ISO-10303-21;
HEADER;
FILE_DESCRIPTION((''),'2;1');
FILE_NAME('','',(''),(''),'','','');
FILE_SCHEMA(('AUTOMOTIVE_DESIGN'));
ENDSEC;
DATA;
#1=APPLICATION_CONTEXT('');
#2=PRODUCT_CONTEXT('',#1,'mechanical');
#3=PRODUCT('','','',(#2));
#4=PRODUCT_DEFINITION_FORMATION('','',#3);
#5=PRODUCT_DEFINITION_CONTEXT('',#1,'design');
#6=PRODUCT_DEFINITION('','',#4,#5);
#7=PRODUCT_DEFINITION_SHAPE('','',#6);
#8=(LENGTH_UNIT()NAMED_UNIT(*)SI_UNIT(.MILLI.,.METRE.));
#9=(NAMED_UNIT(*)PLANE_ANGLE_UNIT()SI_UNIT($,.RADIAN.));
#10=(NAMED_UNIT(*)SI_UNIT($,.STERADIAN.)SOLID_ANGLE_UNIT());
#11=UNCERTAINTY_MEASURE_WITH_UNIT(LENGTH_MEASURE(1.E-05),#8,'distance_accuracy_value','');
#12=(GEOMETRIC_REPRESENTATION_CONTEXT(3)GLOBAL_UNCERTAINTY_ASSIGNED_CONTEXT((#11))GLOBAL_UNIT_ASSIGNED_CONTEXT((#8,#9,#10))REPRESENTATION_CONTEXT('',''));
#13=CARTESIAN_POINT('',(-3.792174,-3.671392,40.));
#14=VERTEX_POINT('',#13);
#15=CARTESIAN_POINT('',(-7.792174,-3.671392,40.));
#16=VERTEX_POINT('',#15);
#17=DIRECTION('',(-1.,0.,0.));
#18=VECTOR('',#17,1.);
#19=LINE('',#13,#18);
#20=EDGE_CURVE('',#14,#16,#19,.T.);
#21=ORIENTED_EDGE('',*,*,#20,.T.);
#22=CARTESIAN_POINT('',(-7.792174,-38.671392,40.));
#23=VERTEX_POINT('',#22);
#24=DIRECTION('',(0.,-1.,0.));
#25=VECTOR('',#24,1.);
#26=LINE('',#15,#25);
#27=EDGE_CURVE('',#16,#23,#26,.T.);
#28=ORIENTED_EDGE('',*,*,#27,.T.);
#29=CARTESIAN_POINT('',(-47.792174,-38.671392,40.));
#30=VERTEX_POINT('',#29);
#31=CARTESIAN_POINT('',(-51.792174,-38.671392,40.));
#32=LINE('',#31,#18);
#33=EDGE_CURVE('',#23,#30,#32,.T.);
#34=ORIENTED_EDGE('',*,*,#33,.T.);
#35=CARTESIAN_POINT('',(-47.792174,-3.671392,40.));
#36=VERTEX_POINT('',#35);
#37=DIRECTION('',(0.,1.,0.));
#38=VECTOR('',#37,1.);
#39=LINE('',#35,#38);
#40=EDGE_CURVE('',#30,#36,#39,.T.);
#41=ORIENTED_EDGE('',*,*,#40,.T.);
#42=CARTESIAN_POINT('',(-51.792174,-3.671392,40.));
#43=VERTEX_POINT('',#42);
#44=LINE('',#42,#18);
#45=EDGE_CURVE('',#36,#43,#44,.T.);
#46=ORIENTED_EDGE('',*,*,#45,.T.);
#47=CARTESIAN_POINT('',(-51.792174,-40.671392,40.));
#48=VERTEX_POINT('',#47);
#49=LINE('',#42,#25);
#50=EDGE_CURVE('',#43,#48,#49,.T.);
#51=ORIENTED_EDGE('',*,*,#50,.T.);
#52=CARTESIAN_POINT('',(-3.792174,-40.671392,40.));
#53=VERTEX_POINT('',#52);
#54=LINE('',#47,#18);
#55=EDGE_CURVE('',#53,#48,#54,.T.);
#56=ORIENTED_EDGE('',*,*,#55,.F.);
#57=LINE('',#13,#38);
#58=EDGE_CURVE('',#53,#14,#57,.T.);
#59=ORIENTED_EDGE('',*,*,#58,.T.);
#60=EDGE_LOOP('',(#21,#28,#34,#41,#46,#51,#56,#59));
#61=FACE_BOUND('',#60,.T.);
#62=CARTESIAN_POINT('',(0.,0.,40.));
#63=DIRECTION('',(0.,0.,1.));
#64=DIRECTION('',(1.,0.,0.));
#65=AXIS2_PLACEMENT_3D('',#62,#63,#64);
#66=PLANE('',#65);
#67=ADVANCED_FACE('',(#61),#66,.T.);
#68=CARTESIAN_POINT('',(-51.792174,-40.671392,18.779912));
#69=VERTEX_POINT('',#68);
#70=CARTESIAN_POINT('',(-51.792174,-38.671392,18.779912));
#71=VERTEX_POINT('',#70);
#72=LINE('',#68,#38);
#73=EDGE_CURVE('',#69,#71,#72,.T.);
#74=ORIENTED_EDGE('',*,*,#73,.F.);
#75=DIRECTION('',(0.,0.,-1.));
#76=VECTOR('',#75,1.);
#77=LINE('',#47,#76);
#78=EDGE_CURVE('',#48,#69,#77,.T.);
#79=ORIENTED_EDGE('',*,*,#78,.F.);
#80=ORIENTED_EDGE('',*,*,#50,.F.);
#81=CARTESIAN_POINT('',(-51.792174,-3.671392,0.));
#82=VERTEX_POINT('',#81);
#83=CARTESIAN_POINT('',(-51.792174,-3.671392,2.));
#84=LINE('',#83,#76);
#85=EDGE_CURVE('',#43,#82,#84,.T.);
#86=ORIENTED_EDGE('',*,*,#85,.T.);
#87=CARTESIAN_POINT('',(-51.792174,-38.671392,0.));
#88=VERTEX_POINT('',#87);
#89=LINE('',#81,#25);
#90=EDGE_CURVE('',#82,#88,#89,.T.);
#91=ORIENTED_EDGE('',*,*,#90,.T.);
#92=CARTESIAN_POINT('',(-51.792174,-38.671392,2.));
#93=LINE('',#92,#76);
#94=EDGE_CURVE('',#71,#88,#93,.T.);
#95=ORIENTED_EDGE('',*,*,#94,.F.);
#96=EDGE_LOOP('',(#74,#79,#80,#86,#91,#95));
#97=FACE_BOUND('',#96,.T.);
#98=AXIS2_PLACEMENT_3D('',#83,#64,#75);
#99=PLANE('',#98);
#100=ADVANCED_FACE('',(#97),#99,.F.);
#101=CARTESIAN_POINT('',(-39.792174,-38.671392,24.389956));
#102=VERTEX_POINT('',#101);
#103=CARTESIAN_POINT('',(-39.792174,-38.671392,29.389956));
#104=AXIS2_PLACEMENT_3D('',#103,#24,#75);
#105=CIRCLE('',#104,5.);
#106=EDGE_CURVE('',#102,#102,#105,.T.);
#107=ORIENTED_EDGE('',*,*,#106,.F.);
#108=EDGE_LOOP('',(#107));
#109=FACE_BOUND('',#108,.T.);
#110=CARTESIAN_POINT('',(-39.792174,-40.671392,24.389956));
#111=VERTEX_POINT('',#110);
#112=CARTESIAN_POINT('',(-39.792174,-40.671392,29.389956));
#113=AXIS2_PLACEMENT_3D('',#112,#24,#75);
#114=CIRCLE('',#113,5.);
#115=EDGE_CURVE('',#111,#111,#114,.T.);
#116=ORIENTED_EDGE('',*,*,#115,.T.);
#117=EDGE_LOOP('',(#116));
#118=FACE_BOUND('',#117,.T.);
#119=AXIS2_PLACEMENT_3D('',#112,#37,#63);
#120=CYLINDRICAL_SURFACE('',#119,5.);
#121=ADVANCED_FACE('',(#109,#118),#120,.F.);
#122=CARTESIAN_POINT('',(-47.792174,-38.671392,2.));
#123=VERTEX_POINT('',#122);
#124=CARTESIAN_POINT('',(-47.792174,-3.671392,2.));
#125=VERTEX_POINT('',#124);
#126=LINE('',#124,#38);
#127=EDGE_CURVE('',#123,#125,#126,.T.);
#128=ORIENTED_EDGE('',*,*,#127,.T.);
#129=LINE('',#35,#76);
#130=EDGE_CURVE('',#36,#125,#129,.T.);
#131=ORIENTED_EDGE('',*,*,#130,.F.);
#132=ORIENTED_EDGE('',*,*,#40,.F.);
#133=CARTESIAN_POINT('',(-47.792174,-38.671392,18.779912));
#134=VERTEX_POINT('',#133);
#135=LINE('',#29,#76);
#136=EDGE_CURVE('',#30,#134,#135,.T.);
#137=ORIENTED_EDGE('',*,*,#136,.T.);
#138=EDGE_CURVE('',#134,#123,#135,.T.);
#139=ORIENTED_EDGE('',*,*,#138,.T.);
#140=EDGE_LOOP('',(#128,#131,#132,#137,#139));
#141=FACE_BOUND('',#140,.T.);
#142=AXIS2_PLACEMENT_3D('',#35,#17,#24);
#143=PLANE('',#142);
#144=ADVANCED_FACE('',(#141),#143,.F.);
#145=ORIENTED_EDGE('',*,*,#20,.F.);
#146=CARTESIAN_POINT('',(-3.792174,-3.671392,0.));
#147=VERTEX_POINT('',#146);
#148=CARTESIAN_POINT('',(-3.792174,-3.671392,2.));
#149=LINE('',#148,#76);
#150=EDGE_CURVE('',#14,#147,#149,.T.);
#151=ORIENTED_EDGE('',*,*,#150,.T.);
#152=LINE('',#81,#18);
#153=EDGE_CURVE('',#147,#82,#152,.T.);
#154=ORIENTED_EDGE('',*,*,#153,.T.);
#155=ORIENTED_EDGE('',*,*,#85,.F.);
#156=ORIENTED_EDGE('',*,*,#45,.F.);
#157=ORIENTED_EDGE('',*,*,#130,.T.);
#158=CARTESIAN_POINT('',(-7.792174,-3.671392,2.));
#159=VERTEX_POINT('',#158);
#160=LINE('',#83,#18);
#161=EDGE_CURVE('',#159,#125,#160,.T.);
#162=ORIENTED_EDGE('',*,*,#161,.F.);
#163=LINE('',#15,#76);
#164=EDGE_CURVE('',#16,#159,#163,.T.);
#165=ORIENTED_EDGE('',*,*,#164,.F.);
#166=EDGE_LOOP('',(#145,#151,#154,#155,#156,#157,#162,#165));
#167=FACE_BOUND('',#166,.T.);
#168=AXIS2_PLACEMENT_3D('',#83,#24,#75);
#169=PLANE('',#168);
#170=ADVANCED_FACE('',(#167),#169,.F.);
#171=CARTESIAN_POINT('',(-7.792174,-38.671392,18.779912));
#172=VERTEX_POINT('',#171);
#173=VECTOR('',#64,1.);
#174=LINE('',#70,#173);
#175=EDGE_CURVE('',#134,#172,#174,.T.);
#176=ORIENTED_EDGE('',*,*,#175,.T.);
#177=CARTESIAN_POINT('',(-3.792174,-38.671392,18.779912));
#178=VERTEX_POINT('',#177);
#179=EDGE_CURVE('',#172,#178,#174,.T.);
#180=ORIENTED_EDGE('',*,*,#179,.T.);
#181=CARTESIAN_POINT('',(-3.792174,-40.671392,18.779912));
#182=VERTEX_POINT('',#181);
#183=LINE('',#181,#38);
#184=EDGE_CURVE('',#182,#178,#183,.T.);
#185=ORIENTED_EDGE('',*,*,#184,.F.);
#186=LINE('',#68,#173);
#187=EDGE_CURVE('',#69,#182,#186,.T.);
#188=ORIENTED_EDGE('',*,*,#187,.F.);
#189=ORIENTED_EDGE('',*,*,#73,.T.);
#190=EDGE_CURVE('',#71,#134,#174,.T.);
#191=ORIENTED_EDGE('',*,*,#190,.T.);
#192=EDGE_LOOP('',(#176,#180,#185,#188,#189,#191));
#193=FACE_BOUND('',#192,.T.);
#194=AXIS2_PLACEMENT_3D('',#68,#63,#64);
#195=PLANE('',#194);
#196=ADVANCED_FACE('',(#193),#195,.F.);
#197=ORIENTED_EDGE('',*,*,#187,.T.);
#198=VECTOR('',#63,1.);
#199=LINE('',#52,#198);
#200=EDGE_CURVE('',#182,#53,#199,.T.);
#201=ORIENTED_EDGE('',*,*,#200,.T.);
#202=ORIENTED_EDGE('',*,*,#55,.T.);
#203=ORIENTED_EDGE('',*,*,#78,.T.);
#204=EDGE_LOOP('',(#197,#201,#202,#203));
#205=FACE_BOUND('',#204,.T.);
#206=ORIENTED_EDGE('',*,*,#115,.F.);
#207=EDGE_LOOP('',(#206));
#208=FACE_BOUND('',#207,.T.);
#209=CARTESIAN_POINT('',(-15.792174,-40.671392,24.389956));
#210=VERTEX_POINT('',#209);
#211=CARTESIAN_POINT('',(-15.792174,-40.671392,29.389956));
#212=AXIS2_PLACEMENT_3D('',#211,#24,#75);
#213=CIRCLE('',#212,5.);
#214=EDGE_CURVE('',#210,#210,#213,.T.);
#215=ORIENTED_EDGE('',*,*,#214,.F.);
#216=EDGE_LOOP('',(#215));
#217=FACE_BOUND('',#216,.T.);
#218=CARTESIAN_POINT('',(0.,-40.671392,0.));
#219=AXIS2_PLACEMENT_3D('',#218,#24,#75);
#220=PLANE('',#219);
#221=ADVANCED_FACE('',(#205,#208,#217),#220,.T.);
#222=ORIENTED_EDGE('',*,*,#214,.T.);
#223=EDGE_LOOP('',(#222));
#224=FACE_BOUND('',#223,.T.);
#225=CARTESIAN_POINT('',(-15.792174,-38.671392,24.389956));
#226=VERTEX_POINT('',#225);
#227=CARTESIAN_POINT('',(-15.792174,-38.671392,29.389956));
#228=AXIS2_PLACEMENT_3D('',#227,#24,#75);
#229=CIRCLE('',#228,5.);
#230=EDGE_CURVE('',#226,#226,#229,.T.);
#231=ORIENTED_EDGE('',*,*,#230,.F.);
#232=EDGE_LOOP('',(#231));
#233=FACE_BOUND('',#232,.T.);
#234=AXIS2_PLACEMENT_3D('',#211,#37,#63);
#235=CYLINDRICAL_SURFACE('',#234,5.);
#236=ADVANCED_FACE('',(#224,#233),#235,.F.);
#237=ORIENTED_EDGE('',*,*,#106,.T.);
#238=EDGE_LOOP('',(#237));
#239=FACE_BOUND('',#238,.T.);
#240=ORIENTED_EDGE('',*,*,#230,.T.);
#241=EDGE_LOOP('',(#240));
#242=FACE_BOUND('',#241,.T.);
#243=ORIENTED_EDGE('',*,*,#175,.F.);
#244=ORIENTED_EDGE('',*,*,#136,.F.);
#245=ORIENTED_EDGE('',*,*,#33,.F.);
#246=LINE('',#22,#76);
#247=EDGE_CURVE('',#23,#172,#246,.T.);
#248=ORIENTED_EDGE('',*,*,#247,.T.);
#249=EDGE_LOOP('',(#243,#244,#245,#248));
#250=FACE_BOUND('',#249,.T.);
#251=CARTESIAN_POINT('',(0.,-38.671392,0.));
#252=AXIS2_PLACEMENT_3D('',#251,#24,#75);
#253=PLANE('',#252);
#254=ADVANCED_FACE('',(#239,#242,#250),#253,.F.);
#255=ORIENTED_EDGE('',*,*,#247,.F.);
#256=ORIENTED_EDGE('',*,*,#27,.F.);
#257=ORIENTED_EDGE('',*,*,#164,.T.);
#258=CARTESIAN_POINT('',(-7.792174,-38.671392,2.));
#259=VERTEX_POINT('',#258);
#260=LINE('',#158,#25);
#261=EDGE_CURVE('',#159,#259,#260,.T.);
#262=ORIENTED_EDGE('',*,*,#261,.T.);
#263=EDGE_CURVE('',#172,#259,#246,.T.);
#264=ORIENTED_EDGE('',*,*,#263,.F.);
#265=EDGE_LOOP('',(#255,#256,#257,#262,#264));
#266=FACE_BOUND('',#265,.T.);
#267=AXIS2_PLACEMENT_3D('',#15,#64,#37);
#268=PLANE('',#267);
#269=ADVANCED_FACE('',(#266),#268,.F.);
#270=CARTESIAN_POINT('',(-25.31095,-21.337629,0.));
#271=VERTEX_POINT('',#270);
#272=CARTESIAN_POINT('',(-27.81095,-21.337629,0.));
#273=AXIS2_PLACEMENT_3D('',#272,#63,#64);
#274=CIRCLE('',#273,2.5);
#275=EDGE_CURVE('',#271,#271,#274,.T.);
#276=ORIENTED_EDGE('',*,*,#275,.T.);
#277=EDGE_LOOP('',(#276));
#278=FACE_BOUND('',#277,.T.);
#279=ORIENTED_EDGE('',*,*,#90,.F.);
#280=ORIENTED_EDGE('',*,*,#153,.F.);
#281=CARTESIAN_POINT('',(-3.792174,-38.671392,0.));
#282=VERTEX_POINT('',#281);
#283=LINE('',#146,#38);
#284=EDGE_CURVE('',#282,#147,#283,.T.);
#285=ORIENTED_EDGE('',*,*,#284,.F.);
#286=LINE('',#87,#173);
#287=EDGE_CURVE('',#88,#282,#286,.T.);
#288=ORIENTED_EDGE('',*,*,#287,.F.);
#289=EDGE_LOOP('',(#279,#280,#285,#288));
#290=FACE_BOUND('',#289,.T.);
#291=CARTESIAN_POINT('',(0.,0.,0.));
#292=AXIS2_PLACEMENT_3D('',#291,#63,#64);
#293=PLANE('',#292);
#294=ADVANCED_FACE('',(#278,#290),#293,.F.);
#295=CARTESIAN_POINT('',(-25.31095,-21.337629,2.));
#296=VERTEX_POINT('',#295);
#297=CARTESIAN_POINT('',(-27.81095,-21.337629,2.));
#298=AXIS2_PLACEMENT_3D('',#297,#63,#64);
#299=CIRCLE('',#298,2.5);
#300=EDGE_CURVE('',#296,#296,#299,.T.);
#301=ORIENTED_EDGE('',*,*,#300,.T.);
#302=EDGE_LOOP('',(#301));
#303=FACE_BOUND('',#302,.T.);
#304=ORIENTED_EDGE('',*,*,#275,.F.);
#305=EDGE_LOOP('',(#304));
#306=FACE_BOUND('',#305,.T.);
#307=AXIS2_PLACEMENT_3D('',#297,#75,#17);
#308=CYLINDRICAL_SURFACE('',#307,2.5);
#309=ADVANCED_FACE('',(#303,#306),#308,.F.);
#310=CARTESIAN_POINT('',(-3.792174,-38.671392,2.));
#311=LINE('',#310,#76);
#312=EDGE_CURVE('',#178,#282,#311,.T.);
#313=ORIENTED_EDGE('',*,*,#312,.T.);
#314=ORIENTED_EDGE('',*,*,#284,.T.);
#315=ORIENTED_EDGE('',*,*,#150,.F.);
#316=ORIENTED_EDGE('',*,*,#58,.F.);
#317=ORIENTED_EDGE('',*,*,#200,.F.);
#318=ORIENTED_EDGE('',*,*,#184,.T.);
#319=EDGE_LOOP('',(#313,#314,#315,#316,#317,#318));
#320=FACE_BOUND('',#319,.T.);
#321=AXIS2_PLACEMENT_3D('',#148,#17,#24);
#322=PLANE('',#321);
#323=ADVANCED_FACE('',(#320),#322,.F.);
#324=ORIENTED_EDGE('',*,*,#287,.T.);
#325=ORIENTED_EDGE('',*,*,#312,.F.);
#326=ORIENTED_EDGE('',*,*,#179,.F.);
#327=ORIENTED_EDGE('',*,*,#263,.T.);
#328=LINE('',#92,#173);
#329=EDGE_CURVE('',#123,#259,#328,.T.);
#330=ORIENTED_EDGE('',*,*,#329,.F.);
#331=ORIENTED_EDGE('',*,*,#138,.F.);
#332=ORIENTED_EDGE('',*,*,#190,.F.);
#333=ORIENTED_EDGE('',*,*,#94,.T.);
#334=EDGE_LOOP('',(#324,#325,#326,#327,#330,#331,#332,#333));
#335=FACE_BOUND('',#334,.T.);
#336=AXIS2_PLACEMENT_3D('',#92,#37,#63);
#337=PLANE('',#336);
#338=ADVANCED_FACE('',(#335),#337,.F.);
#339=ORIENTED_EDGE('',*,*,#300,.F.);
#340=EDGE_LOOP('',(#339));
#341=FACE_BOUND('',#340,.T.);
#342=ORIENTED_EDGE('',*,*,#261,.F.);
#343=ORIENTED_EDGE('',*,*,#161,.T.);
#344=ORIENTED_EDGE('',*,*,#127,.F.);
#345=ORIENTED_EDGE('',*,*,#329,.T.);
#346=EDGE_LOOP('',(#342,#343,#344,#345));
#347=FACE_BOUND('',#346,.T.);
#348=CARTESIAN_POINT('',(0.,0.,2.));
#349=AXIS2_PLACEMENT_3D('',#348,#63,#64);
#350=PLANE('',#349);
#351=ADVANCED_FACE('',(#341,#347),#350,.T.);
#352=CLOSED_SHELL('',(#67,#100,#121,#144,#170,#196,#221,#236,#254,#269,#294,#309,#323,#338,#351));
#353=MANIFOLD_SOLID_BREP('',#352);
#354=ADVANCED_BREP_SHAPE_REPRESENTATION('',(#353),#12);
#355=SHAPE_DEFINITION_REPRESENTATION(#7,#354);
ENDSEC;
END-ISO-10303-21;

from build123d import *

# Parameters (mm, degrees)
ESBO_O1_W                = 48
ESBO_O1_H                = 35
ESBO_O1_R                = 2.5
RESSALTO_EXTRUS_O1_DEPTH = 2
ESBO_O2_W                = 4
ESBO_O2_H                = 35
RESSALTO_EXTRUS_O2_DEPTH = 38
ESBO_O3_W                = 48
ESBO_O3_H                = 21.220088249
ESBO_O3_R                = 5
RESSALTO_EXTRUS_O3_DEPTH = 2


with BuildPart() as part:
    # Esboço1 → Ressalto-extrusão1 (new body)
    with BuildSketch(Plane.XY):
        with Locations((-27.792174024, -21.17139219)):
            Rectangle(ESBO_O1_W, ESBO_O1_H)
        with Locations((-27.810949966, -21.337629256)):
            Circle(ESBO_O1_R, mode=Mode.SUBTRACT)
    extrude(amount=RESSALTO_EXTRUS_O1_DEPTH)

    # Esboço2 → Ressalto-extrusão2 (add)
    with BuildSketch(Plane.XY.offset(2)):
        with Locations((-49.792174024, -21.17139219)):
            Rectangle(ESBO_O2_W, ESBO_O2_H)
        with Locations((-5.792174024, -21.17139219)):
            Rectangle(ESBO_O2_W, ESBO_O2_H)
    extrude(amount=RESSALTO_EXTRUS_O2_DEPTH)

    # Esboço3 → Ressalto-extrusão3 (add)
    with BuildSketch(Plane.XZ.offset(38.67139219)):
        with Locations((-27.792174024, 29.389955876)):
            Rectangle(ESBO_O3_W, ESBO_O3_H)
        with Locations(Location((-39.792174024, 29.389955876, 0), (0, 0, 270))):
            Circle(ESBO_O3_R, mode=Mode.SUBTRACT)
        with Locations(Location((-15.792174024, 29.389955876, 0), (0, 0, 270))):
            Circle(ESBO_O3_R, mode=Mode.SUBTRACT)
    extrude(amount=RESSALTO_EXTRUS_O3_DEPTH)


solid = part.part
